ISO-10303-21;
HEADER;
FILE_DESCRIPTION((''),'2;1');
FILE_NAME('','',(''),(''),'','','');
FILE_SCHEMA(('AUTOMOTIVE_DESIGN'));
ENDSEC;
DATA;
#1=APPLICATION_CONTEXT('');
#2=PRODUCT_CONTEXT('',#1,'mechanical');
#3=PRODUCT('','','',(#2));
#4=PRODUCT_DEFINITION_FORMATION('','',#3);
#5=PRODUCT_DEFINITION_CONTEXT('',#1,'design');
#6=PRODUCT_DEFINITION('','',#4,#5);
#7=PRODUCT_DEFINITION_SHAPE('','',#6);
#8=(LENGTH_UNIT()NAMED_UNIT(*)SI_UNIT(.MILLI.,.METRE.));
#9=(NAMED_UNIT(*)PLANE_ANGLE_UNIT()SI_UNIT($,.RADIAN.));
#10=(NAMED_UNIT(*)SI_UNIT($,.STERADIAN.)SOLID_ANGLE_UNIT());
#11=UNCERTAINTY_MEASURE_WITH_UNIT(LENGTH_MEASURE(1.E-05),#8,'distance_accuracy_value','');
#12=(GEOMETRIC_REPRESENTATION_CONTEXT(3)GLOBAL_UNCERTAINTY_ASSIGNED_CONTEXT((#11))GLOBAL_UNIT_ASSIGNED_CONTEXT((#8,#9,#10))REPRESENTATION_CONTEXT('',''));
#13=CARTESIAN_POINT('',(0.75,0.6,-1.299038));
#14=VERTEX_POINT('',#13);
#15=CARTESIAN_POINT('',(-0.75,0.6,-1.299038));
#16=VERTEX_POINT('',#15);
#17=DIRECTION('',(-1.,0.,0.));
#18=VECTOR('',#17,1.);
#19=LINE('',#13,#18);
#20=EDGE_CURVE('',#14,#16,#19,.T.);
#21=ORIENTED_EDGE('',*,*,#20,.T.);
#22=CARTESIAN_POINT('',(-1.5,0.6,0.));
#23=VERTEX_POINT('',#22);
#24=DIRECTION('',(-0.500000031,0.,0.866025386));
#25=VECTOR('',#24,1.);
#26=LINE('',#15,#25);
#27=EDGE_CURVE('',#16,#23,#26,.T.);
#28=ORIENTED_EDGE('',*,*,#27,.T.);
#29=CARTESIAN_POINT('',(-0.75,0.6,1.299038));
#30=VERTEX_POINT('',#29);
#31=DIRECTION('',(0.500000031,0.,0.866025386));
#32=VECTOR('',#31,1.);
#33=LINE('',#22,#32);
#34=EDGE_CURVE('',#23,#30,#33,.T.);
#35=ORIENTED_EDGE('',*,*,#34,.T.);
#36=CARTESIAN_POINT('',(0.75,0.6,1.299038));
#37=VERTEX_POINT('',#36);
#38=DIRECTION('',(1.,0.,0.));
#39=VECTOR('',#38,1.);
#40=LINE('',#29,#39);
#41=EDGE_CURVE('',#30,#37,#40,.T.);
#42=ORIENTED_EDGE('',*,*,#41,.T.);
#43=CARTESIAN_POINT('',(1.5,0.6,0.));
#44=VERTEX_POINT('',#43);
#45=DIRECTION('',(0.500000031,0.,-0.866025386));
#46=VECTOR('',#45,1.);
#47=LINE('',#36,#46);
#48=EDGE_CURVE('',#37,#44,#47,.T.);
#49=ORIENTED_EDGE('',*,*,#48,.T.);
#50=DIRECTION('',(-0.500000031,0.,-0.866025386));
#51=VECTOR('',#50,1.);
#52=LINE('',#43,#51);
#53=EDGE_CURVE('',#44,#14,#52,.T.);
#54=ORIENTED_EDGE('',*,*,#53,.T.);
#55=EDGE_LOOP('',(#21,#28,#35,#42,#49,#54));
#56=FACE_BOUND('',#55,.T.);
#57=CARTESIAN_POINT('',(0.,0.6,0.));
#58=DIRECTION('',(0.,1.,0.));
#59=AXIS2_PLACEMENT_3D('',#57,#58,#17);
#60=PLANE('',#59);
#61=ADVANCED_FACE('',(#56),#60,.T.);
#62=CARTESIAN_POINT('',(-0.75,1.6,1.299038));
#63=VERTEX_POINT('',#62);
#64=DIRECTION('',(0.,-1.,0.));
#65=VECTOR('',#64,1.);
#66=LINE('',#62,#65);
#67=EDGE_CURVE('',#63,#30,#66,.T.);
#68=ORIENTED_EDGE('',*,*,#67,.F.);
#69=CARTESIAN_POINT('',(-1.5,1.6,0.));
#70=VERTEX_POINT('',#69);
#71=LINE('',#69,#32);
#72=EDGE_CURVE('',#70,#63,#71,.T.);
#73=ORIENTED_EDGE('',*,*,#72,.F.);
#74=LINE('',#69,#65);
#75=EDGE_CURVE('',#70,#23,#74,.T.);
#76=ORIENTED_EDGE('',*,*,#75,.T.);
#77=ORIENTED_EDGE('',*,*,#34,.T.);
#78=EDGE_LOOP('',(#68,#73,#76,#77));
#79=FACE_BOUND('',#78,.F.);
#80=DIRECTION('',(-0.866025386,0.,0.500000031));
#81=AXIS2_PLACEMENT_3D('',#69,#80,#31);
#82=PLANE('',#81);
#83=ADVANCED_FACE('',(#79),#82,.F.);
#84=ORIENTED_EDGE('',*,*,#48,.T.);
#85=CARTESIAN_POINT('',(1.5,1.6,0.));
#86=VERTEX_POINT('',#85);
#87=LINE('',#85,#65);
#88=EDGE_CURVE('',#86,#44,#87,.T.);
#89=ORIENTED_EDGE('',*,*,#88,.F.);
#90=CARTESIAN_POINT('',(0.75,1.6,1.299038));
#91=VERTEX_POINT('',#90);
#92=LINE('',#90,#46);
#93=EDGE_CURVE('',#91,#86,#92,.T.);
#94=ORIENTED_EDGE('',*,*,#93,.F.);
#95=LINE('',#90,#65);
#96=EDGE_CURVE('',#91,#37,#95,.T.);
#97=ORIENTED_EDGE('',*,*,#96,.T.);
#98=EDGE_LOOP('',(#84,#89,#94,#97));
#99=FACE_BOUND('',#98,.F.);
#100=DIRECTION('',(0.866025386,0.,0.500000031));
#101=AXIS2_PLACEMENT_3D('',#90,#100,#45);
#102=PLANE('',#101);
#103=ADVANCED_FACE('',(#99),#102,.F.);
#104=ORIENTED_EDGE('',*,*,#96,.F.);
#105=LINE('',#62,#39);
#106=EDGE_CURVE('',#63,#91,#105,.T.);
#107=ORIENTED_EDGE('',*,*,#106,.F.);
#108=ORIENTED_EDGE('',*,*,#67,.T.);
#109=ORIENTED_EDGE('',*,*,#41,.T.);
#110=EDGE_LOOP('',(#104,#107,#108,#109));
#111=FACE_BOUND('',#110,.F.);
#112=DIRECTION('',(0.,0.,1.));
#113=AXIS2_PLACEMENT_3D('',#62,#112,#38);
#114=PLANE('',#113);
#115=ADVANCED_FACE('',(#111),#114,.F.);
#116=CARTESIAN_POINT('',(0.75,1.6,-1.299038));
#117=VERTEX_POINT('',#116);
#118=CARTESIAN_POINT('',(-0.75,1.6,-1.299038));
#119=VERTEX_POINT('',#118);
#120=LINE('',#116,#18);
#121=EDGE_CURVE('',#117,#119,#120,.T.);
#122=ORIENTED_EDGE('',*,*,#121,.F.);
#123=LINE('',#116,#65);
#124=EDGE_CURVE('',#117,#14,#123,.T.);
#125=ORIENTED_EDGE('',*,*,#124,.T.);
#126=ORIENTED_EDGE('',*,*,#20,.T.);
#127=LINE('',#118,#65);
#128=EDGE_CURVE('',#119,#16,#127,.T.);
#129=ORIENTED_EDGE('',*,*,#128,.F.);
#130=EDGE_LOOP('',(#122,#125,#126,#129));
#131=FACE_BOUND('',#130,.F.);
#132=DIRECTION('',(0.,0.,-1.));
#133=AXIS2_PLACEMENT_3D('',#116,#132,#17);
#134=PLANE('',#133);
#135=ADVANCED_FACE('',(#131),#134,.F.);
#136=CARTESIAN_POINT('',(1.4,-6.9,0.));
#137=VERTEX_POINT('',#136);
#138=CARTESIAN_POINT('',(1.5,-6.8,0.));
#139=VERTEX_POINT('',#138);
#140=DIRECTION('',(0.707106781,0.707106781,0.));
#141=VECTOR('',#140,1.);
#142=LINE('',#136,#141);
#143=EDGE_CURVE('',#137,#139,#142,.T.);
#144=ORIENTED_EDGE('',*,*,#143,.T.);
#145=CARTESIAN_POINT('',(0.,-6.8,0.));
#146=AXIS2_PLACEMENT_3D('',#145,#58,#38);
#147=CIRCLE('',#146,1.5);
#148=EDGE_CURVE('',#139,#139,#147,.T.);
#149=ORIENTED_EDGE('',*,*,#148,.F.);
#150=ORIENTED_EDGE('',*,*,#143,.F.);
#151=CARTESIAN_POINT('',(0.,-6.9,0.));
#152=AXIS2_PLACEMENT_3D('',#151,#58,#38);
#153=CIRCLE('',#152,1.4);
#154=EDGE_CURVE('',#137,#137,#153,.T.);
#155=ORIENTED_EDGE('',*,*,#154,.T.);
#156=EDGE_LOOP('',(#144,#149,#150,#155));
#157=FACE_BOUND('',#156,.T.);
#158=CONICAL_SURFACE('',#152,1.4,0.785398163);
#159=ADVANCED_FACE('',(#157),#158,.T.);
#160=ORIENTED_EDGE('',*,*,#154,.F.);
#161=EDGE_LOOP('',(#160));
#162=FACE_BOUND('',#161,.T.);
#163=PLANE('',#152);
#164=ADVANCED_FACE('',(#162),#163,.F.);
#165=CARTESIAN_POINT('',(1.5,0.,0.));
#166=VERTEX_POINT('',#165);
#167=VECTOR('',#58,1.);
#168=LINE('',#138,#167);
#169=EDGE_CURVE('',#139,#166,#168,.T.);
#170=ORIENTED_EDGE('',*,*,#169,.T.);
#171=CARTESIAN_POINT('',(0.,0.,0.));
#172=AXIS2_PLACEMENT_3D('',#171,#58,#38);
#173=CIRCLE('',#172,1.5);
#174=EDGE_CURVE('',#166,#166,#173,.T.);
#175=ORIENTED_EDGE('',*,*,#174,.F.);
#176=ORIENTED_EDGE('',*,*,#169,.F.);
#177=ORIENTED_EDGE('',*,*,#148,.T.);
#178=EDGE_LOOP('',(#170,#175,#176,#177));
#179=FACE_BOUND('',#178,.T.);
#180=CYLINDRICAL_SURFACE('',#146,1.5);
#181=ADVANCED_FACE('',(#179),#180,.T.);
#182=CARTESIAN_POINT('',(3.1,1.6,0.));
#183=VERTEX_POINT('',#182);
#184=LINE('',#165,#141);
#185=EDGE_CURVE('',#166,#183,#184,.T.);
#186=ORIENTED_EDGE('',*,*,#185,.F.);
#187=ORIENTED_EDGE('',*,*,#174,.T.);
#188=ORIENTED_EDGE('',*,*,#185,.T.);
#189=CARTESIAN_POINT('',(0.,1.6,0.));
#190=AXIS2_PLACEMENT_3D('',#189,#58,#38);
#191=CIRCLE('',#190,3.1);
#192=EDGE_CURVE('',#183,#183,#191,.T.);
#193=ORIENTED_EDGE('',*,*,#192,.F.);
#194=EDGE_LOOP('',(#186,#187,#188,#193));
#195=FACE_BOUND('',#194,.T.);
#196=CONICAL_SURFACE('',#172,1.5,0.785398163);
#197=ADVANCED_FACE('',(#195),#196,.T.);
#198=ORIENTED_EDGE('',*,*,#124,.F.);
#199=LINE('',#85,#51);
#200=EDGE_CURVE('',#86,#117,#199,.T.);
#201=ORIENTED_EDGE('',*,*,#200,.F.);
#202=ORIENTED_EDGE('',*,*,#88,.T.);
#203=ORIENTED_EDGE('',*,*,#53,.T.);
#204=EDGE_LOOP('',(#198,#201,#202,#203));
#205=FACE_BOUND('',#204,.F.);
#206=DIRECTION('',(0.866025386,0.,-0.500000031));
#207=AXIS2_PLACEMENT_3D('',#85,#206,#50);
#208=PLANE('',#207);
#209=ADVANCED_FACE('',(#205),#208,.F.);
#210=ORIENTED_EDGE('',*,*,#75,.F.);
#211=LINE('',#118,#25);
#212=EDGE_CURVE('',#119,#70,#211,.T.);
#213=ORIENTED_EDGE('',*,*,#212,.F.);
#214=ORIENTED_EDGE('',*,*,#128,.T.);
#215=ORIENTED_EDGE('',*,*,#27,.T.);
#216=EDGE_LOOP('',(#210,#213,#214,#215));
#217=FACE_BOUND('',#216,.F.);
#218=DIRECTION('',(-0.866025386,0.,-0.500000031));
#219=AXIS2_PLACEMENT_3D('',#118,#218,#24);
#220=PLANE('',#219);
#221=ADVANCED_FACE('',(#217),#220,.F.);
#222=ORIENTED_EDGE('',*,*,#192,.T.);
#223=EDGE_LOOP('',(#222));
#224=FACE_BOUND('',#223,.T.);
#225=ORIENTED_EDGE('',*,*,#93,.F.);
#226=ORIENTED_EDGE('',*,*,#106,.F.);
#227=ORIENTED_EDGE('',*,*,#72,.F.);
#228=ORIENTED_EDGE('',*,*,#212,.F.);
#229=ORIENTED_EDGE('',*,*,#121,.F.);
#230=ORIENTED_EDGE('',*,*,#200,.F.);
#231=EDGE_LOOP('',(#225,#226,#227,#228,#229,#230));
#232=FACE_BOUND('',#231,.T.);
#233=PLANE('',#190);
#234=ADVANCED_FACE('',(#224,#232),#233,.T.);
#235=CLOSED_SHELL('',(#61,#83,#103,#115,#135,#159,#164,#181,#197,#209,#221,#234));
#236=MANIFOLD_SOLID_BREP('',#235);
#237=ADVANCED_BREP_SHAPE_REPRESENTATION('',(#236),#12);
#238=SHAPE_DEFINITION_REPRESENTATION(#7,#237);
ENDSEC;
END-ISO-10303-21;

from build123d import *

# Parameters (mm, degrees)
POCKET_DEPTH = 1


with BuildPart() as part:
    # Sketch → Revolution (revolve)
    with BuildSketch(Plane.XY):
        Polygon((0, -6.9), (1.4, -6.9), (1.5, -6.8), (1.5, 0), (3.1, 1.6), (0, 1.6), align=None)
    revolve(axis=Axis((0, 0, 0), (0, 1, 0)))

    # Sketch001 (on Face5 of Revolution) → Pocket (cut)
    with BuildSketch(Plane(origin=(0, 1.6, 0), x_dir=(-1, 0, 0), z_dir=(0, 1, 0))):
        Polygon((0.75, -1.299038), (1.5, 0), (0.75, 1.299038), (-0.75, 1.299038), (-1.5, 0), (-0.75, -1.299038), align=None)
    extrude(amount=-POCKET_DEPTH, mode=Mode.SUBTRACT)


solid = part.part
